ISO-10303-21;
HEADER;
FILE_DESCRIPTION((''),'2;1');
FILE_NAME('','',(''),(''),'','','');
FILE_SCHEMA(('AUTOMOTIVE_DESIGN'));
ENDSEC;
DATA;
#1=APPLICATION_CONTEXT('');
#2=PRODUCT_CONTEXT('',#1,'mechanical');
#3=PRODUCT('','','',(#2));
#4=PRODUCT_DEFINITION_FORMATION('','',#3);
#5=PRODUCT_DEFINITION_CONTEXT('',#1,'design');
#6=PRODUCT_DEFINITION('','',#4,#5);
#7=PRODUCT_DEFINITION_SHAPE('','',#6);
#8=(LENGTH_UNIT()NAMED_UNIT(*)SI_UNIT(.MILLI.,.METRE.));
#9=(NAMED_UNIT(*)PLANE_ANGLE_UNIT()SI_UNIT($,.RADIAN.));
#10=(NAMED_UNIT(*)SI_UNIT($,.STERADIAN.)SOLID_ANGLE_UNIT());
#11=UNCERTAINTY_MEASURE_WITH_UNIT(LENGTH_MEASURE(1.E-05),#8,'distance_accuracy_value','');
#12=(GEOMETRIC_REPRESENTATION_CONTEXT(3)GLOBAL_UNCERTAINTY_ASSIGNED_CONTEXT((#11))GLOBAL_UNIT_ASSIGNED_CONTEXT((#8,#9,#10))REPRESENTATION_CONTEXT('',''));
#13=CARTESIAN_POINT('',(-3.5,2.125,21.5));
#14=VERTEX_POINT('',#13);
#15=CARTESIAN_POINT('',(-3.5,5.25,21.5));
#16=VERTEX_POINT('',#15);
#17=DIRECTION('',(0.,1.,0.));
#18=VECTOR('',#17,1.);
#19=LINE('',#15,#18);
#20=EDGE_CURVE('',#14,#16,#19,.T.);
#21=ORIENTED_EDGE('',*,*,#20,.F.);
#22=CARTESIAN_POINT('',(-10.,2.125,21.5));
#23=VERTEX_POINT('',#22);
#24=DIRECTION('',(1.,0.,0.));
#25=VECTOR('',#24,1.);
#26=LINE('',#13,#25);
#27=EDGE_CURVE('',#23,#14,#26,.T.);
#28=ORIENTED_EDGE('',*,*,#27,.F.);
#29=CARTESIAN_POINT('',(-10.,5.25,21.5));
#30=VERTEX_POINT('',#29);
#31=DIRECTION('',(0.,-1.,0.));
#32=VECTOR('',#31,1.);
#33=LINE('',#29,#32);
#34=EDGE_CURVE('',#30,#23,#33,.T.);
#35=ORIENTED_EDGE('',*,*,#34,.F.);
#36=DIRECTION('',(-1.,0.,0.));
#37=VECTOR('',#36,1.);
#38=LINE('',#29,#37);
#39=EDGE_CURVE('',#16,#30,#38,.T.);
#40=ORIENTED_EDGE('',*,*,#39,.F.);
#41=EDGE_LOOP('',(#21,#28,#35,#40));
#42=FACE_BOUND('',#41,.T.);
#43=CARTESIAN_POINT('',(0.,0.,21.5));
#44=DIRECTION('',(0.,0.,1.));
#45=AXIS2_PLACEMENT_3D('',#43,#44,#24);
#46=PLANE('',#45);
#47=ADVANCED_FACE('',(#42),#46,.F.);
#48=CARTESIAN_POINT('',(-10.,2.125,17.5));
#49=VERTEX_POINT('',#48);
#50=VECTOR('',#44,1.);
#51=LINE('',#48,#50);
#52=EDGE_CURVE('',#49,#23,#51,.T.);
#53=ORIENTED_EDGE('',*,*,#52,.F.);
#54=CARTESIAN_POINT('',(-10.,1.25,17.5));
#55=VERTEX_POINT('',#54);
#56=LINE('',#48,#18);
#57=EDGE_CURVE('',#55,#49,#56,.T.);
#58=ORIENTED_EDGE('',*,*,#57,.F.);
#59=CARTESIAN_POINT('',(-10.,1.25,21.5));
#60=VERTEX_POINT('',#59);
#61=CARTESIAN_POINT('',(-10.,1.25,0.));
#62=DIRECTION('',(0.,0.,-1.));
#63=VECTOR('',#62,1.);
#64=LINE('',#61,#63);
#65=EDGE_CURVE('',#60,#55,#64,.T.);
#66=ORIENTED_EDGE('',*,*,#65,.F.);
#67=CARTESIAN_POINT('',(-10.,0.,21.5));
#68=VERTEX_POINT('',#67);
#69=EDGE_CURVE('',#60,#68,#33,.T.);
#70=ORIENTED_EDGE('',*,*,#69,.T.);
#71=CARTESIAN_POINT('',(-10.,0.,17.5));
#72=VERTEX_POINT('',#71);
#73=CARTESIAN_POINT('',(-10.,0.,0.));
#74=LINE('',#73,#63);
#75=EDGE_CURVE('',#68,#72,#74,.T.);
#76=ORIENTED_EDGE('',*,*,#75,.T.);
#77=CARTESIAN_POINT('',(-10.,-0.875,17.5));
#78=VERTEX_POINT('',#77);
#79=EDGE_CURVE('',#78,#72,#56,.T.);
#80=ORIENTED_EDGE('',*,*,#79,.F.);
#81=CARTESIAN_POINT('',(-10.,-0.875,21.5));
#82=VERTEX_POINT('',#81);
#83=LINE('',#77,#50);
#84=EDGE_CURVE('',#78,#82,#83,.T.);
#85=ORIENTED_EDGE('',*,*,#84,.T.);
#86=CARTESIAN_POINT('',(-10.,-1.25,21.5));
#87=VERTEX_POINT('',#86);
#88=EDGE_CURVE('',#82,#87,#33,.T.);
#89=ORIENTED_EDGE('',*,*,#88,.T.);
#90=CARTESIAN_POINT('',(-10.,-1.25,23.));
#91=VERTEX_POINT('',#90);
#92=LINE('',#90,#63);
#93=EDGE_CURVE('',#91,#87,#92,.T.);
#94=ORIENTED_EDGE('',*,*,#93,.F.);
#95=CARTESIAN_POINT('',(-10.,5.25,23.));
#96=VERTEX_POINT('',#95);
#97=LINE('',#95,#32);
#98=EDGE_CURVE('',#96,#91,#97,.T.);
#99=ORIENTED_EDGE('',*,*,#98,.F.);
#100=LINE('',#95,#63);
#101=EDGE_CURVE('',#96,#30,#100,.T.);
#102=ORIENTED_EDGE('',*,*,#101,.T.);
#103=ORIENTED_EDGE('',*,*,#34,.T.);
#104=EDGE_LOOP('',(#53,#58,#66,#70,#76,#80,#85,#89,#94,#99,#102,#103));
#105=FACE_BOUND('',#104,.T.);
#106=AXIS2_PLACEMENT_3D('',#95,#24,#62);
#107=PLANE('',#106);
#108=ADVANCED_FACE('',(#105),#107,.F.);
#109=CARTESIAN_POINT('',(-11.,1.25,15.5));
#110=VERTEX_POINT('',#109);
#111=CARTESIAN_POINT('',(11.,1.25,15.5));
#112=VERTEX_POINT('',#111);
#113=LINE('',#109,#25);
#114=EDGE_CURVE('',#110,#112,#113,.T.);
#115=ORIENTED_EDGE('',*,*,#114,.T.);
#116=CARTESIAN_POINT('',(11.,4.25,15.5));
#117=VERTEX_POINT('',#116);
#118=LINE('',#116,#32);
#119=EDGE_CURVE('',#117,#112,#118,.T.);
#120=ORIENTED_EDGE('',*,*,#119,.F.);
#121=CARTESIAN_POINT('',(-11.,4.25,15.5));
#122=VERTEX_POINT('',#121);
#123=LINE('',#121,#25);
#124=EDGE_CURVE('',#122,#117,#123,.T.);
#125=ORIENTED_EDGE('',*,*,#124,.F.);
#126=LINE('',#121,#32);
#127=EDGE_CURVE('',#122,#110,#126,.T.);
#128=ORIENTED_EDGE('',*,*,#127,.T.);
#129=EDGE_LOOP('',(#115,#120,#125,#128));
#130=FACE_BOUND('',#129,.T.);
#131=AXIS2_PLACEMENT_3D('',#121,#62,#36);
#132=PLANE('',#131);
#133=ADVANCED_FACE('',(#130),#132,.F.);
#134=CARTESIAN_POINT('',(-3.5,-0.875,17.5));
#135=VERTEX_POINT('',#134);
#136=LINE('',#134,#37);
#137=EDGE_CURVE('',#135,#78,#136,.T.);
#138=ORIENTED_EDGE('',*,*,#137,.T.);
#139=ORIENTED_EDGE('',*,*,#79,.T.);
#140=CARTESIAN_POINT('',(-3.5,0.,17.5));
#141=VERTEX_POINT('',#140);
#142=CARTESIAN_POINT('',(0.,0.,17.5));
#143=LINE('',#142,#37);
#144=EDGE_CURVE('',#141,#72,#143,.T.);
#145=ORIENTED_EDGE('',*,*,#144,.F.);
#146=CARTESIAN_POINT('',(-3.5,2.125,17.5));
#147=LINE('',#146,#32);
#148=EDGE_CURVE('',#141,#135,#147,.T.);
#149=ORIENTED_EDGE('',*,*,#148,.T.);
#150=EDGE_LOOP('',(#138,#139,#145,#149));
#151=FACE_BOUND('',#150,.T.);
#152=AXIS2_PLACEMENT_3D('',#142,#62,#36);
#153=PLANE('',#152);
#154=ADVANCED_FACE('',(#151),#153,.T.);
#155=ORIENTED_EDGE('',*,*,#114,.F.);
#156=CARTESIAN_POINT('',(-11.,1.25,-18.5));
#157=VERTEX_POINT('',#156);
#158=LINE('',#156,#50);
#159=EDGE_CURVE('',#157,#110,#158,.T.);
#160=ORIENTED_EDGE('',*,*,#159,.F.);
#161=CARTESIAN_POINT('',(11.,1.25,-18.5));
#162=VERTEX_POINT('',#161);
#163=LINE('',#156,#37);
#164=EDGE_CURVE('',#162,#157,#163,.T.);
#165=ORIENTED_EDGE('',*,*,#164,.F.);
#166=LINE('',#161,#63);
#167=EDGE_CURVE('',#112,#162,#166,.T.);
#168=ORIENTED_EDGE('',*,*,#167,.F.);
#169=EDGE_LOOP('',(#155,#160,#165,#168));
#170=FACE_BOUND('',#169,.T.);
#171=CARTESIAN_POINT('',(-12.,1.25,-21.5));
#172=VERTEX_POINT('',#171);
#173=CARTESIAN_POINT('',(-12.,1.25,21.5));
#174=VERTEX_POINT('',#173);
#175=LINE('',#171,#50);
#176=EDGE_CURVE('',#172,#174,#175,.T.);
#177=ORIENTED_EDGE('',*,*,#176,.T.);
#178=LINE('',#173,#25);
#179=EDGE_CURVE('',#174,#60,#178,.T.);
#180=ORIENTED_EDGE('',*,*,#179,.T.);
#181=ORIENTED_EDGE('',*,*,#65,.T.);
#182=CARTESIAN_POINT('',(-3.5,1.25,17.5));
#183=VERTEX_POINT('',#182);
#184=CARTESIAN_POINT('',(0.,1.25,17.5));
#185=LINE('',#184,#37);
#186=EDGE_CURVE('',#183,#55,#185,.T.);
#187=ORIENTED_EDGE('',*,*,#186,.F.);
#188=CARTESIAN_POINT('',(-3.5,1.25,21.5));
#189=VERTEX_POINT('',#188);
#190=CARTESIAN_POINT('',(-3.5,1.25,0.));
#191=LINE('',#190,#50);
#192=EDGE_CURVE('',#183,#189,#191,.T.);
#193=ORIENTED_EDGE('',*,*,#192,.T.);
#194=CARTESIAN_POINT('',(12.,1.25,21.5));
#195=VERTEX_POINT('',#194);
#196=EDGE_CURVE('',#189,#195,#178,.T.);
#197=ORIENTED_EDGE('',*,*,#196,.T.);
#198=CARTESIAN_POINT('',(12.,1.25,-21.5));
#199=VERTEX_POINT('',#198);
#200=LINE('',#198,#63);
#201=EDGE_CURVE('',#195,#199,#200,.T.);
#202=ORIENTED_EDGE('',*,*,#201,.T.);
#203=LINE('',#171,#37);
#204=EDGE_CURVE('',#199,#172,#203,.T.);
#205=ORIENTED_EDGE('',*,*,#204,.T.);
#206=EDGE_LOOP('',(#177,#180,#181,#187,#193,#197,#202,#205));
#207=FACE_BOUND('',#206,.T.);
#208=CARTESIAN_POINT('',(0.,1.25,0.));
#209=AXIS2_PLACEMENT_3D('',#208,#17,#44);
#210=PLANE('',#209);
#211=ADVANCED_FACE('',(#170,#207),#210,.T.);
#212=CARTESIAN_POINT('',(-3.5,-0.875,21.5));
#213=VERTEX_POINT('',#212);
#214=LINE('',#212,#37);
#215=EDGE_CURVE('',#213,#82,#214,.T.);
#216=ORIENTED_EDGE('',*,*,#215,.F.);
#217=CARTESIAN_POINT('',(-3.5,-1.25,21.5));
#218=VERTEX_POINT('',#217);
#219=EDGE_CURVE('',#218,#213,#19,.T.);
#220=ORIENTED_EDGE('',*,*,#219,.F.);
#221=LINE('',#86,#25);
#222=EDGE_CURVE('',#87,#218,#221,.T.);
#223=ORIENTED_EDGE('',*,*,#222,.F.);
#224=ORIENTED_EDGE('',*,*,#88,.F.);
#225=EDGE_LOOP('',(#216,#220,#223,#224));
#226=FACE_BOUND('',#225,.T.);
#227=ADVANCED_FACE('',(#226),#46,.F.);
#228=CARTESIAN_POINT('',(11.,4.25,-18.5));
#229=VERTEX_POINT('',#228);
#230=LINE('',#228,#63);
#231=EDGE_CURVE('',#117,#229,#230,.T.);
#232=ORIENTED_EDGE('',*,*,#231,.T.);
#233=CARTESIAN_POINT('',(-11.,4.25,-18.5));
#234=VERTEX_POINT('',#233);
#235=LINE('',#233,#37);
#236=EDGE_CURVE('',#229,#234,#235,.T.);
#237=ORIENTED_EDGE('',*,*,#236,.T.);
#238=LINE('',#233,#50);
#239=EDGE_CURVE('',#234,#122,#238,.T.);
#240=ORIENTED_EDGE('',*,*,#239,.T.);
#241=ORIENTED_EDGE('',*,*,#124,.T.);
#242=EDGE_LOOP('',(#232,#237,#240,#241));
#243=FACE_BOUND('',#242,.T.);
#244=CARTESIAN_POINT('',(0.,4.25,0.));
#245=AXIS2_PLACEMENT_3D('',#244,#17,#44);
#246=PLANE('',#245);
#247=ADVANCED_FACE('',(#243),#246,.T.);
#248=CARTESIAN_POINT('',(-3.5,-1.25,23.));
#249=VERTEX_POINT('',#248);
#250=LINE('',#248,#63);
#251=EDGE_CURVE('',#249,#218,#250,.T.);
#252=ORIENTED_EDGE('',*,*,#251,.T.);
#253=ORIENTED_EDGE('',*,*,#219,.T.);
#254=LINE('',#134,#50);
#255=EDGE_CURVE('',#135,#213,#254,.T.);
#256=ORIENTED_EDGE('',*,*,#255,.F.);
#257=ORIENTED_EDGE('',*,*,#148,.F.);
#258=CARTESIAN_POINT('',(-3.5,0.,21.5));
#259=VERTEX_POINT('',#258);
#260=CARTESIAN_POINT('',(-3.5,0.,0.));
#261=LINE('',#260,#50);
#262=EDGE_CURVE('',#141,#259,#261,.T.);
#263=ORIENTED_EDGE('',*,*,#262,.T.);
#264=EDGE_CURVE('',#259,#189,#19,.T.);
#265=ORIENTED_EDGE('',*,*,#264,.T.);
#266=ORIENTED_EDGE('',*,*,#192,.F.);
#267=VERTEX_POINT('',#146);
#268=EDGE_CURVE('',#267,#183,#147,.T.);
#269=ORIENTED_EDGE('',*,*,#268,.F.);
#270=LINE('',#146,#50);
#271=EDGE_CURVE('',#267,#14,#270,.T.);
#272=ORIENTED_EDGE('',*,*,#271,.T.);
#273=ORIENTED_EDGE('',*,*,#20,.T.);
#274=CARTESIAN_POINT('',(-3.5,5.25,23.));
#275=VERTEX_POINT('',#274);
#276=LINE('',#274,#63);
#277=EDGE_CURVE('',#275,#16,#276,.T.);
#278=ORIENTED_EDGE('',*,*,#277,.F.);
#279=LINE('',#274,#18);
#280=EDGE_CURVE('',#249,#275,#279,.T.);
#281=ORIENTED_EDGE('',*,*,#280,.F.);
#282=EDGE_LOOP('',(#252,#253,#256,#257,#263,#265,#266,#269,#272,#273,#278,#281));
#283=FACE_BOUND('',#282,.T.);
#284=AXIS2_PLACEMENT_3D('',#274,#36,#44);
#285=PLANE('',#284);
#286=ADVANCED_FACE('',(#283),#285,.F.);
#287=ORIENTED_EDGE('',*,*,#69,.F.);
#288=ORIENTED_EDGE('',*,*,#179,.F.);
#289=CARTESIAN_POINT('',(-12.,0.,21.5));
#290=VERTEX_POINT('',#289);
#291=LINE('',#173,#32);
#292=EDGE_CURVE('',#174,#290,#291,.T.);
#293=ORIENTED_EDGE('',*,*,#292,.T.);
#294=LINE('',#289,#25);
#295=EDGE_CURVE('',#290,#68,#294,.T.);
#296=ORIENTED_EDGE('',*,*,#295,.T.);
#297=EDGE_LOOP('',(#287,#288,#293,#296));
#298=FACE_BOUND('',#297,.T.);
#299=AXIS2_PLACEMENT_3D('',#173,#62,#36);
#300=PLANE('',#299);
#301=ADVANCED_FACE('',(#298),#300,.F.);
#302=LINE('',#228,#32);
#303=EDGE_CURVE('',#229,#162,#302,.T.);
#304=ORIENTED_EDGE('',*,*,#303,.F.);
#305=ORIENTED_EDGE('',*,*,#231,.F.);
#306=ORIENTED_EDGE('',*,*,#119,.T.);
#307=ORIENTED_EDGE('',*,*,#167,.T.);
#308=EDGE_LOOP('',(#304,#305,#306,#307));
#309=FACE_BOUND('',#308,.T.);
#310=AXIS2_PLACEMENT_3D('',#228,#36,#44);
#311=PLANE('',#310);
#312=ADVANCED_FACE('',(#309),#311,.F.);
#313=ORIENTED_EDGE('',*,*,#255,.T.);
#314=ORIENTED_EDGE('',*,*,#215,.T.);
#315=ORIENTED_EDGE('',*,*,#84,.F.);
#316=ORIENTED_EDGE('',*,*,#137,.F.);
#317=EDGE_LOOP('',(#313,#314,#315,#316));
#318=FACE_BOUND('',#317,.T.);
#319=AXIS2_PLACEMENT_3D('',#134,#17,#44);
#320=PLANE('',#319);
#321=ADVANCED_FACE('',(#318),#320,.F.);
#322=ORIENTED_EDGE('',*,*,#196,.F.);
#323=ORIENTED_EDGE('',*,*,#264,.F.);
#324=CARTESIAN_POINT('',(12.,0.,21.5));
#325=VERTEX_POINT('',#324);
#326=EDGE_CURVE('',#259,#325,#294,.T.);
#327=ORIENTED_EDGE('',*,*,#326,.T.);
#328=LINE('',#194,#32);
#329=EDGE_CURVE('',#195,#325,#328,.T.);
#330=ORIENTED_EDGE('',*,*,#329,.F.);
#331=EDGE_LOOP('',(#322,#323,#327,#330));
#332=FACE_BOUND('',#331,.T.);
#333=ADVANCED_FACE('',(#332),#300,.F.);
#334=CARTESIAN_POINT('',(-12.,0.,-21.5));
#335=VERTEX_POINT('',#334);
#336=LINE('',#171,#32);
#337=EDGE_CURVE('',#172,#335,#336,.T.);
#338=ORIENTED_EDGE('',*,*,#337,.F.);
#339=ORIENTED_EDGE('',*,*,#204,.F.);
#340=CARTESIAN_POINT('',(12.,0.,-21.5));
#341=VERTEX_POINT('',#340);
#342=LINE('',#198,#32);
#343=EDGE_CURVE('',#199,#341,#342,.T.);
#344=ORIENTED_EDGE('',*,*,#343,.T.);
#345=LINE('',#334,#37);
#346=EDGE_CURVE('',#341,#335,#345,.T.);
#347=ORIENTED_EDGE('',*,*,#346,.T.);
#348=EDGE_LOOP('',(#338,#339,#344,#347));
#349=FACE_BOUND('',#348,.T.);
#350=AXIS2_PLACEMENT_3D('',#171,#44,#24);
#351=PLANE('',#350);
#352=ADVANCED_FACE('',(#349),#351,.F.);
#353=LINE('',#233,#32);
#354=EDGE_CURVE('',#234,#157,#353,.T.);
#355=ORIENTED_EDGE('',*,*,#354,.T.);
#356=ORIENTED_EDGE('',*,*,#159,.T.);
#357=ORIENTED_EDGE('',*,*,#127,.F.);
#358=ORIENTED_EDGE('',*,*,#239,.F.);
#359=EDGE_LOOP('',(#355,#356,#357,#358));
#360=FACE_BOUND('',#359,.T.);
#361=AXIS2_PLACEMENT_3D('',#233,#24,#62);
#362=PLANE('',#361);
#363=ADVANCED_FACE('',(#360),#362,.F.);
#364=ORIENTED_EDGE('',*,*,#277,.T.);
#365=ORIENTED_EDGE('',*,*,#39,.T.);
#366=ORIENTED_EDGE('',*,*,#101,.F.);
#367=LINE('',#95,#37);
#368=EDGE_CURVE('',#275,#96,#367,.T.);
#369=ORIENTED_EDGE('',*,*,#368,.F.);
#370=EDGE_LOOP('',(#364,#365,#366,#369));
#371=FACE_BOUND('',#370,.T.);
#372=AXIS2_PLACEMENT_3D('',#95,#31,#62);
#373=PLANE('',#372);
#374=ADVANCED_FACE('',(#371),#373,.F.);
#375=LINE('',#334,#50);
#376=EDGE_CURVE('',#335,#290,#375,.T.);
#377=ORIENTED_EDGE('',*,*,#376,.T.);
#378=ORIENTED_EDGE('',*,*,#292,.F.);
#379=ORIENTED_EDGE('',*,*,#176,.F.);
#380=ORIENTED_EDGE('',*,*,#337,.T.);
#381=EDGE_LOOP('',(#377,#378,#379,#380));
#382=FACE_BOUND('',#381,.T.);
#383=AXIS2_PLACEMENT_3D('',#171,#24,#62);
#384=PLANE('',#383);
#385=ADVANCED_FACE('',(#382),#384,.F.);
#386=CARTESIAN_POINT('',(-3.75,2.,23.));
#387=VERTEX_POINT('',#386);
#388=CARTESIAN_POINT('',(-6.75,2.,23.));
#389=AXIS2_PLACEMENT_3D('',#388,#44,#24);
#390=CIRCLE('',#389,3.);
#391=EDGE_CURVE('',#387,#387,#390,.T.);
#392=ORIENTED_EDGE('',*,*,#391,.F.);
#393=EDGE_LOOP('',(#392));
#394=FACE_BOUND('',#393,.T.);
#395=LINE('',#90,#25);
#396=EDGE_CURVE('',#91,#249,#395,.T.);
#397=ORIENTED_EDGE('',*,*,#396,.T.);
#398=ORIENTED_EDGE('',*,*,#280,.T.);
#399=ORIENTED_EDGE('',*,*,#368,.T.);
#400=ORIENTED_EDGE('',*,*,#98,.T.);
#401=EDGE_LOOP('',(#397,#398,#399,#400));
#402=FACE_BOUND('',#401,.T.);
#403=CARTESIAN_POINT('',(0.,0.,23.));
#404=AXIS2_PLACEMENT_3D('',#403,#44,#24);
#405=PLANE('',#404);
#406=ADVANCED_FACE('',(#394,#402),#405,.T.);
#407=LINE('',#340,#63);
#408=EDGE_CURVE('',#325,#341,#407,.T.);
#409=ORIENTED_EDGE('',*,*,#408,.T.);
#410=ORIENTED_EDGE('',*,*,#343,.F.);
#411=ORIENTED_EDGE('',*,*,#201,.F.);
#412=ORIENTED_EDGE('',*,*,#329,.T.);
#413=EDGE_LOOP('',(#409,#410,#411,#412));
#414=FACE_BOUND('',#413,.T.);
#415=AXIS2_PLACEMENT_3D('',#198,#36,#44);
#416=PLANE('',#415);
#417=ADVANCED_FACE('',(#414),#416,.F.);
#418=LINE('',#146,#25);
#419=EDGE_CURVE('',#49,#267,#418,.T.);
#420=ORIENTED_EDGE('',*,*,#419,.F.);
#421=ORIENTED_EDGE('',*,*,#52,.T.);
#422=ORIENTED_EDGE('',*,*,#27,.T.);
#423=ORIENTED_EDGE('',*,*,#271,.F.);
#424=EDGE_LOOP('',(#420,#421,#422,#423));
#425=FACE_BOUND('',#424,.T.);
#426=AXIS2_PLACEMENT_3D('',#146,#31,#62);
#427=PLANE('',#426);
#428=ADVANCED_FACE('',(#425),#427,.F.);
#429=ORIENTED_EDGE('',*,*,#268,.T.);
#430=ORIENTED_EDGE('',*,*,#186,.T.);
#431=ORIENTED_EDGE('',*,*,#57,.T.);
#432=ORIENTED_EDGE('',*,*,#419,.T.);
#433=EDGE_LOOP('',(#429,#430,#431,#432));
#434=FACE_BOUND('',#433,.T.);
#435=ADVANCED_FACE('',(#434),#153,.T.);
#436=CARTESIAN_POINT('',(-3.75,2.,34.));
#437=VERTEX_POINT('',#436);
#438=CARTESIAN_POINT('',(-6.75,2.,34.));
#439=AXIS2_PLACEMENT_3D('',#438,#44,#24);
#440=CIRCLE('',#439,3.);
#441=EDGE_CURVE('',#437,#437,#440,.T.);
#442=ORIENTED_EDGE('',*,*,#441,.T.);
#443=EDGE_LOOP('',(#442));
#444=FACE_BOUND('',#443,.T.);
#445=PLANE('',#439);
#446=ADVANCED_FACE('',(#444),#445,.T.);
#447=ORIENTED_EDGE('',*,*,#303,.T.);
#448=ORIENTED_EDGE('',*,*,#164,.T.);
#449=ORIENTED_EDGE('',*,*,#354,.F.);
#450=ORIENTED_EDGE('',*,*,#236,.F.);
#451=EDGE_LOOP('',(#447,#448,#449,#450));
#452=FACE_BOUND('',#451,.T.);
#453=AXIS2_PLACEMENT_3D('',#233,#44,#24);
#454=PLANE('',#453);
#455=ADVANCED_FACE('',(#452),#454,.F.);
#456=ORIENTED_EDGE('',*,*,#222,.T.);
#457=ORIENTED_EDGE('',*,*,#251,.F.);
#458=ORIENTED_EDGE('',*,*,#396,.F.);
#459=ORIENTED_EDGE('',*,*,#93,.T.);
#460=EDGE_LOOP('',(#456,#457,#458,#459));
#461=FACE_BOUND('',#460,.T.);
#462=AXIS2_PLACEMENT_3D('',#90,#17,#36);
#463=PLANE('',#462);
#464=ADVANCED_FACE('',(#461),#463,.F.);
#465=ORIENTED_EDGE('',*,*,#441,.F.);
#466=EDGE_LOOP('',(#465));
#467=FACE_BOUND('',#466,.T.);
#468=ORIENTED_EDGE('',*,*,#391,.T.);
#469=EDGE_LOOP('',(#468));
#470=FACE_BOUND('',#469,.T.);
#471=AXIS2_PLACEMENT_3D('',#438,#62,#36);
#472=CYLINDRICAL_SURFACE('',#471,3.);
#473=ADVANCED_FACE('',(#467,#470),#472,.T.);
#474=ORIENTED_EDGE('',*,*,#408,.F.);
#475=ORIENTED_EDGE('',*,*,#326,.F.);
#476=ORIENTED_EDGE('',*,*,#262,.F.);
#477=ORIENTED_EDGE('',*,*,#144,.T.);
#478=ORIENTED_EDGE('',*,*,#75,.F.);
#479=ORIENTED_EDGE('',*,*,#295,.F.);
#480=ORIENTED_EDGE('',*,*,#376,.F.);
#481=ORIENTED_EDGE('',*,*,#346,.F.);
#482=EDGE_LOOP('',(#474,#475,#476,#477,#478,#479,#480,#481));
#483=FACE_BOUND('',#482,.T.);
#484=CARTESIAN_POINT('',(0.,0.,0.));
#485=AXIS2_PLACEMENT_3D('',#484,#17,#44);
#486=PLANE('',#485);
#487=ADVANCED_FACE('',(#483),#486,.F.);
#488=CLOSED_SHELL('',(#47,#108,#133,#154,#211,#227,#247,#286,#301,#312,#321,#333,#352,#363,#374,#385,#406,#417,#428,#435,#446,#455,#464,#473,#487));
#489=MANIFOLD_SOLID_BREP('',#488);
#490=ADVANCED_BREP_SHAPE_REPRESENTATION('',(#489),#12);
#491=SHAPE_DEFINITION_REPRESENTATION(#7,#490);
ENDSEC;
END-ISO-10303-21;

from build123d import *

# Parameters (mm, degrees)
SKETCH1_W                  = 24
SKETCH1_H                  = 43
PCB_DEPTH                  = 1.25
SKETCH2_W                  = 22
SKETCH2_H                  = 34
RF_CASING_DEPTH            = 3
SKETCH3_W                  = 6.5
SKETCH3_H                  = 6.5
RF_CONNECTOR_BACK_DEPTH    = 1.5
SKETCH4_R                  = 3
RF_CONNECTOR_THREADS_DEPTH = 11
SKETCH5_W                  = 6.5
SKETCH5_H                  = 3
RF_CONNECTOR_PINS_DEPTH    = 4


with BuildPart() as part:
    # Sketch1 → PCB (new body)
    with BuildSketch(Plane(origin=(0, 0, 0), x_dir=(1, 0, 0), z_dir=(0, 1, 0))):
        Rectangle(SKETCH1_W, SKETCH1_H)
    extrude(amount=PCB_DEPTH)

    # Sketch2 → RF Casing (add)
    with BuildSketch(Plane(origin=(0, 1.25, 0), x_dir=(1, 0, 0), z_dir=(0, 1, 0))):
        with Locations((0, 1.5)):
            Rectangle(SKETCH2_W, SKETCH2_H)
    extrude(amount=RF_CASING_DEPTH)

    # Sketch3 → RF Connector Back (add)
    with BuildSketch(Plane.XY.offset(21.5)):
        with Locations((-6.75, 2)):
            Rectangle(SKETCH3_W, SKETCH3_H)
    extrude(amount=RF_CONNECTOR_BACK_DEPTH)

    # Sketch4 → RF Connector Threads (add)
    with BuildSketch(Plane.XY.offset(23)):
        with Locations((-6.75, 2)):
            Circle(SKETCH4_R)
    extrude(amount=RF_CONNECTOR_THREADS_DEPTH)

    # Sketch5 → RF Connector Pins (add)
    with BuildSketch(Plane(origin=(0, 0, 21.5), x_dir=(-1, 0, 0), z_dir=(0, 0, -1))):
        with Locations((6.75, 0.625)):
            Rectangle(SKETCH5_W, SKETCH5_H)
    extrude(amount=RF_CONNECTOR_PINS_DEPTH)


solid = part.part
